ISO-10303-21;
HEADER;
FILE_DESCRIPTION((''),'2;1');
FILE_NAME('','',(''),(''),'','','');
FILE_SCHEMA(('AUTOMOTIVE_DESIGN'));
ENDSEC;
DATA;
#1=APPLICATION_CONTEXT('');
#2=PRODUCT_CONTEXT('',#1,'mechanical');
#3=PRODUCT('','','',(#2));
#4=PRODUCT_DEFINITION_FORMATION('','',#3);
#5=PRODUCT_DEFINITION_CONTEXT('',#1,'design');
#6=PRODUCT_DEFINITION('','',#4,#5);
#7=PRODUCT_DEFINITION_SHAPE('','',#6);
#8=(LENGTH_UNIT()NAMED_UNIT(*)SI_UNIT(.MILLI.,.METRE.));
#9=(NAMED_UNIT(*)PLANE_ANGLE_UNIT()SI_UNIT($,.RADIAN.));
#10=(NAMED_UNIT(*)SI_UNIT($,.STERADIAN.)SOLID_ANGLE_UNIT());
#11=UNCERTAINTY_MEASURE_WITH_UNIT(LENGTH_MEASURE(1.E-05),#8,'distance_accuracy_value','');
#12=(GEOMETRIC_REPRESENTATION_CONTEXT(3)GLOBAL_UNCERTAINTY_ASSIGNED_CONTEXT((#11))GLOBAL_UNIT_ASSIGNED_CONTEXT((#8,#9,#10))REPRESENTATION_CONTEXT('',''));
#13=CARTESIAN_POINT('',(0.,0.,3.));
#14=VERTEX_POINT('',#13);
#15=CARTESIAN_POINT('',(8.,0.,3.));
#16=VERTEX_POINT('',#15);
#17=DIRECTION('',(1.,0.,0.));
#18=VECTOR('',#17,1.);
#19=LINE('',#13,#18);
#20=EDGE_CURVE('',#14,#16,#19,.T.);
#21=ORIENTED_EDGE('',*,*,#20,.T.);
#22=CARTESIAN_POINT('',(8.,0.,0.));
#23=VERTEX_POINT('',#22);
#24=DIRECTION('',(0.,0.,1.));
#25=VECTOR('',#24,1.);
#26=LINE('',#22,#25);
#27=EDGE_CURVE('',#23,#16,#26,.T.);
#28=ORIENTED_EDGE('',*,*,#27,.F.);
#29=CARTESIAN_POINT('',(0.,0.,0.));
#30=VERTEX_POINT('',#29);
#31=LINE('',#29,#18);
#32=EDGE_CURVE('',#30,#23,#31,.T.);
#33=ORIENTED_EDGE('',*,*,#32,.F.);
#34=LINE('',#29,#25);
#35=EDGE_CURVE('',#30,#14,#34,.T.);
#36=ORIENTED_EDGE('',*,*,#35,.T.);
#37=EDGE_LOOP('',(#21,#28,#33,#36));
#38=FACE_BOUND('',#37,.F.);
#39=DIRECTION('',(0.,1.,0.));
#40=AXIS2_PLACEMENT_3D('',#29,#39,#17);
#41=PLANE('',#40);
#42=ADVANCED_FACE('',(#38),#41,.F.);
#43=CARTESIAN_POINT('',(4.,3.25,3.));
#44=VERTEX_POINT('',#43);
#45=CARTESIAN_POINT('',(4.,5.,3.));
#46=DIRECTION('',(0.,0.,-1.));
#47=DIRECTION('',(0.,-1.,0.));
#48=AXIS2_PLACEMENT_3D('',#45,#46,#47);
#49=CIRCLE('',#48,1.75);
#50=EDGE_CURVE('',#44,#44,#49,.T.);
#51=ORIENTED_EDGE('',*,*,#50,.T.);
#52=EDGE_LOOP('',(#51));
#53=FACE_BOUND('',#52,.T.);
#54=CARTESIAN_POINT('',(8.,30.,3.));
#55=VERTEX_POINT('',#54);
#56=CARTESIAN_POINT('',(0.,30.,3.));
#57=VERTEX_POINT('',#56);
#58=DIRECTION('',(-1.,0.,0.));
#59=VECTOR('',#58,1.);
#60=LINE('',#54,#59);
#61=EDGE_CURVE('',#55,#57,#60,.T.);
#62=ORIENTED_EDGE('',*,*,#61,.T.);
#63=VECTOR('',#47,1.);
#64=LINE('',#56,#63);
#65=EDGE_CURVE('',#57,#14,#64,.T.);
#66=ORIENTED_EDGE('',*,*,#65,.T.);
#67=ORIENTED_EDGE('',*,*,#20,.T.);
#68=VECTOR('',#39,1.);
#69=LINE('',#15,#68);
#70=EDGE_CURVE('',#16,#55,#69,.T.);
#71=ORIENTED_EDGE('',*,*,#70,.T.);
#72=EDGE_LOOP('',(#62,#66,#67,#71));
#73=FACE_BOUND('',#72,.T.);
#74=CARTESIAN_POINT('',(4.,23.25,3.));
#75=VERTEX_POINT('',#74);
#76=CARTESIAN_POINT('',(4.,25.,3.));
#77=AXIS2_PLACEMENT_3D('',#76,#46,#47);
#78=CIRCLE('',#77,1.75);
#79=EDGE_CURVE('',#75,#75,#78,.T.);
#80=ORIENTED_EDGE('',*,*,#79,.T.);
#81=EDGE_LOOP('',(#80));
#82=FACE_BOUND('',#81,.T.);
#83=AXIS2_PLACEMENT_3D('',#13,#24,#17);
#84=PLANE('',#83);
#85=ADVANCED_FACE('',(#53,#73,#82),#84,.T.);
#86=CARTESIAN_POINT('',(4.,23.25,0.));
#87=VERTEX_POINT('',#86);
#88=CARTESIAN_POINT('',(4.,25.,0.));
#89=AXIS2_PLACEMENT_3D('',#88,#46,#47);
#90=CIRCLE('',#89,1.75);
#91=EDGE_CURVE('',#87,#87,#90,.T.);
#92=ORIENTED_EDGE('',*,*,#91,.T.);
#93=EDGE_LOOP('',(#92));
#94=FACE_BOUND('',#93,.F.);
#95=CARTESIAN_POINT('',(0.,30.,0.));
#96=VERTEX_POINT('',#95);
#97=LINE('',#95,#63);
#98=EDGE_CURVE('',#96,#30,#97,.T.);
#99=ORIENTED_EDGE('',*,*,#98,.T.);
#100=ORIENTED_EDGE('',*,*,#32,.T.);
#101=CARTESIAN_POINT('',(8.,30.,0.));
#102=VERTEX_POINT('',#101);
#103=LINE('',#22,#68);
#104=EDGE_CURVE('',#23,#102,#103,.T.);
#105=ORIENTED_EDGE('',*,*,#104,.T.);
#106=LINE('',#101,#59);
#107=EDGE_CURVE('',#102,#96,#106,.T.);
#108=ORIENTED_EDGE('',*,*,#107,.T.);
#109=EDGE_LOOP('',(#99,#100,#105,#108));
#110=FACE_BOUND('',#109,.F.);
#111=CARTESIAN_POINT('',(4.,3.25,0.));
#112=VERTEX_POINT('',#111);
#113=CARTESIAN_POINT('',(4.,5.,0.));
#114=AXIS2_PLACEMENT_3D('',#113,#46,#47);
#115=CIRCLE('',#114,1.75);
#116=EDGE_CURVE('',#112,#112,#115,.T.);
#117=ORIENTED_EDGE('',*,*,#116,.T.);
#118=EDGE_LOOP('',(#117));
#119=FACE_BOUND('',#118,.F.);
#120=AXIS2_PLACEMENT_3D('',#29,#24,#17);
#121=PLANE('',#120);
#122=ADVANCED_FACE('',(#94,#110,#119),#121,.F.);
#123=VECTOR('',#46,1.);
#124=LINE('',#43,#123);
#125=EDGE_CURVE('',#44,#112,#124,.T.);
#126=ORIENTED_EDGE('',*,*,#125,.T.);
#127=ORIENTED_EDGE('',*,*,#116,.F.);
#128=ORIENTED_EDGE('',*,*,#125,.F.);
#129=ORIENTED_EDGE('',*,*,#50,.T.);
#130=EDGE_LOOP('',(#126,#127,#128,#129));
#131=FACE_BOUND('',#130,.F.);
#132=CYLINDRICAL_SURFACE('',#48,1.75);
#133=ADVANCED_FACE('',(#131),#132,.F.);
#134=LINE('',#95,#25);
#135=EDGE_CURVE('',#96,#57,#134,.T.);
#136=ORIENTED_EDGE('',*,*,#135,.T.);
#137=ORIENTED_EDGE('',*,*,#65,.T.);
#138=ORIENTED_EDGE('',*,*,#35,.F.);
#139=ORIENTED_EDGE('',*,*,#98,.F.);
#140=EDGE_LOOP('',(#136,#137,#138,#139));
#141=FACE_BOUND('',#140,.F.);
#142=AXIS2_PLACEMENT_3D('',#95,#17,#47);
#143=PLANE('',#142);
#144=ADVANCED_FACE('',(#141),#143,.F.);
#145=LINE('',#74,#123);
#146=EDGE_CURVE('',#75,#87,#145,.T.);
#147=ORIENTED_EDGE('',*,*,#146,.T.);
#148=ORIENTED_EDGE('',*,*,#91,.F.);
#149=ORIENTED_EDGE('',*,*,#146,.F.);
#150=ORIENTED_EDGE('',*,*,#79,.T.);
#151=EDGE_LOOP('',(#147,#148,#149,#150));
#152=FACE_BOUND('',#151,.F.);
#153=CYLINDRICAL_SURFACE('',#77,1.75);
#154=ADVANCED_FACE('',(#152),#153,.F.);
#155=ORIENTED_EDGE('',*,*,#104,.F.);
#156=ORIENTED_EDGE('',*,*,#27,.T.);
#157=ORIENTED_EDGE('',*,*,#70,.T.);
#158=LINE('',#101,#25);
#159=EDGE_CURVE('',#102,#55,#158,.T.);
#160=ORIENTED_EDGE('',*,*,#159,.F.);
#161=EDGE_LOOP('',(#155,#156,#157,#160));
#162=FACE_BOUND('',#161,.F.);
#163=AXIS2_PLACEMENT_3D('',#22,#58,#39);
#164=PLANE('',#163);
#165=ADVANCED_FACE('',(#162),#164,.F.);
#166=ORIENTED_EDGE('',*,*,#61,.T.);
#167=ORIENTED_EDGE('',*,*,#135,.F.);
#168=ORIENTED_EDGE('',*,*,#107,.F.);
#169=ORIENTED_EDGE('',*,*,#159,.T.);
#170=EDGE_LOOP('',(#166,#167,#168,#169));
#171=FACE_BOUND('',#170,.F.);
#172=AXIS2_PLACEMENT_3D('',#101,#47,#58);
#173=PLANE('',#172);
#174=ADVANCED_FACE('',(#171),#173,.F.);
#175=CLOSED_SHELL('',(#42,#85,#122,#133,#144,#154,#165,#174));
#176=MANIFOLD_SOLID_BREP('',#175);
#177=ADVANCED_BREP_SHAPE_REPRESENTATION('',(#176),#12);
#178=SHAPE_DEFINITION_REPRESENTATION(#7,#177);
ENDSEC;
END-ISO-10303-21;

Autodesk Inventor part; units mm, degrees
ref_plane "YZ Plane" through (0, 0, 0) normal (1, 0, 0) x (0, 1, 0)
ref_plane "XZ Plane" through (0, 0, 0) normal (0, 1, 0) x (-1, 0, 0)
ref_plane "XY Plane" through (0, 0, 0) normal (0, 0, 1) x (1, 0, 0)
sketch "スケッチ1" plane through (0, 0, 0) normal (0, 0, 1) x (1, 0, 0)
  line L0 (0, 0) -> (8, 0)
  line L1 (8, 0) -> (8, 30)
  line L2 (8, 30) -> (0, 30)
  line L3 (0, 30) -> (0, 0)
  dimension "d0" = 8
  dimension "d1" = 30
extrude "押し出し1" add sketch "スケッチ1" along normal blind 3
sketch "スケッチ2" plane through (0, 0, 3) normal (0, 0, 1) x (1, 0, 0)
  line L0 (8, 0) -> (8, 30) projected
  line L1 (8, 30) -> (0, 30) projected
  line L2 (0, 0) -> (8, 0) projected
  point P0 (4, 25)
  point P1 (4, 5)
  dimension "d4" = 4
  dimension "d5" = 5
  dimension "d6" = 5
  dimension "d7" = 4
hole "穴1" at (4, 25, 3) at (4, 5, 3) direction (0, 0, -1) diameter 3.5 end through all
properties part number "3SR14_ポテンショメータ固定台"
